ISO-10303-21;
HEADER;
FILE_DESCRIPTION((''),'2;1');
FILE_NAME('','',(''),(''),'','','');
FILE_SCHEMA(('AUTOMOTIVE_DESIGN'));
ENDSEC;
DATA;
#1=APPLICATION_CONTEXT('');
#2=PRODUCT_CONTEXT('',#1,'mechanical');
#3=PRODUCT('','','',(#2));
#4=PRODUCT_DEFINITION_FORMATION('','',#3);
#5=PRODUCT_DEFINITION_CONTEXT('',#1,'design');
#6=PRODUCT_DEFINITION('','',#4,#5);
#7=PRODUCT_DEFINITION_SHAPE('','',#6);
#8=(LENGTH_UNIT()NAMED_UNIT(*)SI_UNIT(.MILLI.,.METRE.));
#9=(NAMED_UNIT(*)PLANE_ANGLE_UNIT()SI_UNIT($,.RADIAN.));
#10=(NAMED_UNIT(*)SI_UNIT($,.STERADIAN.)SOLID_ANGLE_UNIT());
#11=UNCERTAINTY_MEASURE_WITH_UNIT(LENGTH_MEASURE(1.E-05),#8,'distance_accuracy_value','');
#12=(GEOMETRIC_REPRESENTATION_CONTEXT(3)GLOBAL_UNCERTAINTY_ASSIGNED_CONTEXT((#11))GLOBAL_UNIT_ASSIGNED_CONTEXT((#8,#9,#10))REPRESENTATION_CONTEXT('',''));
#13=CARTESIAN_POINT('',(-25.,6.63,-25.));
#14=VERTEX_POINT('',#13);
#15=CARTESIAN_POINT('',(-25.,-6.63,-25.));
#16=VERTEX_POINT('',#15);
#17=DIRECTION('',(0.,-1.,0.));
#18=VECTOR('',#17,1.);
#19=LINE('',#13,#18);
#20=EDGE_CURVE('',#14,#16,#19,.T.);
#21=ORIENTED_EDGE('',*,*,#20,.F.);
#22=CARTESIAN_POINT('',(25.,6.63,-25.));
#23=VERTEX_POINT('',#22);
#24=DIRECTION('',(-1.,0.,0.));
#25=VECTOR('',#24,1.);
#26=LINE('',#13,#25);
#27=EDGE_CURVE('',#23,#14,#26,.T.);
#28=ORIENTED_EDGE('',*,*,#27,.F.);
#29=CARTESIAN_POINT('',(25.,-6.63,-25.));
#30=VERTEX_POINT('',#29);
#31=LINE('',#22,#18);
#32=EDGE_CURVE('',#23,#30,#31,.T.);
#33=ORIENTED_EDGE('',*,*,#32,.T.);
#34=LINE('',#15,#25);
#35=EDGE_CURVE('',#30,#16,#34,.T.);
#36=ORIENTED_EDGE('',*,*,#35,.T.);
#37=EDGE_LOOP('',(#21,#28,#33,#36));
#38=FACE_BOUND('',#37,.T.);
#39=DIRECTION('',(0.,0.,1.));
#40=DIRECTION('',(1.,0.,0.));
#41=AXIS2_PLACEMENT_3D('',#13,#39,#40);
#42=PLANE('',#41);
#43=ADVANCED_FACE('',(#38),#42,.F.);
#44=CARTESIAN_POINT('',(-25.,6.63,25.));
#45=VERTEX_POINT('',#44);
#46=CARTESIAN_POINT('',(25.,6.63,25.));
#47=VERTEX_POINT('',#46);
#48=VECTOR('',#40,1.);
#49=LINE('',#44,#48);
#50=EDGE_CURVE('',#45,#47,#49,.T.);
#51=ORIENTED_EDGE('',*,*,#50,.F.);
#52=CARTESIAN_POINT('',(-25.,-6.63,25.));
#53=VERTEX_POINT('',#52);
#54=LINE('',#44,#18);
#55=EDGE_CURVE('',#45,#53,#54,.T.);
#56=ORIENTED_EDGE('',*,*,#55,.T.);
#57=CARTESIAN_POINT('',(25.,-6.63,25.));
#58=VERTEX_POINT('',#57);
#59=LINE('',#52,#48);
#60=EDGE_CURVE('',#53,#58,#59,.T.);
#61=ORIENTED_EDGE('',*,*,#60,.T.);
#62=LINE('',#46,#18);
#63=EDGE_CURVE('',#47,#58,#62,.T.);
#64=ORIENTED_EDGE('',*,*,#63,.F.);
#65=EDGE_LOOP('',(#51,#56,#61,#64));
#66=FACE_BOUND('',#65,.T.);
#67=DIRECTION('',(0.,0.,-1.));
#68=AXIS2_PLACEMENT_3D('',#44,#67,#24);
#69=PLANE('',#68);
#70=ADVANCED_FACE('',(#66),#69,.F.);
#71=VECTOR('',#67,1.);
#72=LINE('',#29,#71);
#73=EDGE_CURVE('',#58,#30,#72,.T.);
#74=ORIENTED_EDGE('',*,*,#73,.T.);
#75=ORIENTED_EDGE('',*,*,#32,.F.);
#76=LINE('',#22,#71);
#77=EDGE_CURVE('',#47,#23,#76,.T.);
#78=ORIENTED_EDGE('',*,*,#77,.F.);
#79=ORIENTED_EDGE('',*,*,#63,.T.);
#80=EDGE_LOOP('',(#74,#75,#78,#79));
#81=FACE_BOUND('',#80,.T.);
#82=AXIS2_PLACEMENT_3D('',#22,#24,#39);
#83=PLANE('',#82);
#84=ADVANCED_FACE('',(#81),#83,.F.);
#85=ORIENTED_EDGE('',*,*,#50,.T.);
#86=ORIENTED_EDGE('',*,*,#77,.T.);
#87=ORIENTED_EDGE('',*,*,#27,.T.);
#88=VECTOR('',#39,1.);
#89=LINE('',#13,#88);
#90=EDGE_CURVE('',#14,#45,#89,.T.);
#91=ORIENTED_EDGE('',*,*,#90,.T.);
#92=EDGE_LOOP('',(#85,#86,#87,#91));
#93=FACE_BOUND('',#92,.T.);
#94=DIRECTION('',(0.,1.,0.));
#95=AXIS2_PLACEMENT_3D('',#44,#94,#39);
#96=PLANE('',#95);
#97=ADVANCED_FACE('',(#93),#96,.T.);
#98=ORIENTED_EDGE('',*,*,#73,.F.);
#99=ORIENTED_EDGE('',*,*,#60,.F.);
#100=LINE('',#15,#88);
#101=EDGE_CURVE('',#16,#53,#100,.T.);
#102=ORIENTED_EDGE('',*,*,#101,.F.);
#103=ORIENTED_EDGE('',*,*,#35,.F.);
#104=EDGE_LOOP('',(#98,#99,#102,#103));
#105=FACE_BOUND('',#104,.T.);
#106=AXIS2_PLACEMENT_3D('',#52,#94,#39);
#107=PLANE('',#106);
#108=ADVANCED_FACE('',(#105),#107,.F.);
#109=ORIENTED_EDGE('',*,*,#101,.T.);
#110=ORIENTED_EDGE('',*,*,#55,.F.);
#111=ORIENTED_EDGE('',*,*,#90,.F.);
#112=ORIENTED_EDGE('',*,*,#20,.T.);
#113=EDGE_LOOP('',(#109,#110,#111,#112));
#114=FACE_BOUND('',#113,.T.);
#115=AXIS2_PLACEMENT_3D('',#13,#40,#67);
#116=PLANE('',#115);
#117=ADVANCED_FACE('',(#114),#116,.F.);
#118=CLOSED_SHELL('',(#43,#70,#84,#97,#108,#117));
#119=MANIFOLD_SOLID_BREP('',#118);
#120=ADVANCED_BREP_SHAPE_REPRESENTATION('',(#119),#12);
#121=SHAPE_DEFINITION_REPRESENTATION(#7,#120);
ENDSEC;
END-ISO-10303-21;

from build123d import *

# Parameters (mm, degrees)
SKETCH1_W      = 50
SKETCH1_H      = 50
EXTRUDE1_DEPTH = 6.63


with BuildPart() as part:
    # Sketch1 → Extrude1 (new body, symmetric)
    with BuildSketch(Plane(origin=(0, 0, 0), x_dir=(1, 0, 0), z_dir=(0, 1, 0))):
        Rectangle(SKETCH1_W, SKETCH1_H)
    extrude(amount=EXTRUDE1_DEPTH, both=True)


solid = part.part
